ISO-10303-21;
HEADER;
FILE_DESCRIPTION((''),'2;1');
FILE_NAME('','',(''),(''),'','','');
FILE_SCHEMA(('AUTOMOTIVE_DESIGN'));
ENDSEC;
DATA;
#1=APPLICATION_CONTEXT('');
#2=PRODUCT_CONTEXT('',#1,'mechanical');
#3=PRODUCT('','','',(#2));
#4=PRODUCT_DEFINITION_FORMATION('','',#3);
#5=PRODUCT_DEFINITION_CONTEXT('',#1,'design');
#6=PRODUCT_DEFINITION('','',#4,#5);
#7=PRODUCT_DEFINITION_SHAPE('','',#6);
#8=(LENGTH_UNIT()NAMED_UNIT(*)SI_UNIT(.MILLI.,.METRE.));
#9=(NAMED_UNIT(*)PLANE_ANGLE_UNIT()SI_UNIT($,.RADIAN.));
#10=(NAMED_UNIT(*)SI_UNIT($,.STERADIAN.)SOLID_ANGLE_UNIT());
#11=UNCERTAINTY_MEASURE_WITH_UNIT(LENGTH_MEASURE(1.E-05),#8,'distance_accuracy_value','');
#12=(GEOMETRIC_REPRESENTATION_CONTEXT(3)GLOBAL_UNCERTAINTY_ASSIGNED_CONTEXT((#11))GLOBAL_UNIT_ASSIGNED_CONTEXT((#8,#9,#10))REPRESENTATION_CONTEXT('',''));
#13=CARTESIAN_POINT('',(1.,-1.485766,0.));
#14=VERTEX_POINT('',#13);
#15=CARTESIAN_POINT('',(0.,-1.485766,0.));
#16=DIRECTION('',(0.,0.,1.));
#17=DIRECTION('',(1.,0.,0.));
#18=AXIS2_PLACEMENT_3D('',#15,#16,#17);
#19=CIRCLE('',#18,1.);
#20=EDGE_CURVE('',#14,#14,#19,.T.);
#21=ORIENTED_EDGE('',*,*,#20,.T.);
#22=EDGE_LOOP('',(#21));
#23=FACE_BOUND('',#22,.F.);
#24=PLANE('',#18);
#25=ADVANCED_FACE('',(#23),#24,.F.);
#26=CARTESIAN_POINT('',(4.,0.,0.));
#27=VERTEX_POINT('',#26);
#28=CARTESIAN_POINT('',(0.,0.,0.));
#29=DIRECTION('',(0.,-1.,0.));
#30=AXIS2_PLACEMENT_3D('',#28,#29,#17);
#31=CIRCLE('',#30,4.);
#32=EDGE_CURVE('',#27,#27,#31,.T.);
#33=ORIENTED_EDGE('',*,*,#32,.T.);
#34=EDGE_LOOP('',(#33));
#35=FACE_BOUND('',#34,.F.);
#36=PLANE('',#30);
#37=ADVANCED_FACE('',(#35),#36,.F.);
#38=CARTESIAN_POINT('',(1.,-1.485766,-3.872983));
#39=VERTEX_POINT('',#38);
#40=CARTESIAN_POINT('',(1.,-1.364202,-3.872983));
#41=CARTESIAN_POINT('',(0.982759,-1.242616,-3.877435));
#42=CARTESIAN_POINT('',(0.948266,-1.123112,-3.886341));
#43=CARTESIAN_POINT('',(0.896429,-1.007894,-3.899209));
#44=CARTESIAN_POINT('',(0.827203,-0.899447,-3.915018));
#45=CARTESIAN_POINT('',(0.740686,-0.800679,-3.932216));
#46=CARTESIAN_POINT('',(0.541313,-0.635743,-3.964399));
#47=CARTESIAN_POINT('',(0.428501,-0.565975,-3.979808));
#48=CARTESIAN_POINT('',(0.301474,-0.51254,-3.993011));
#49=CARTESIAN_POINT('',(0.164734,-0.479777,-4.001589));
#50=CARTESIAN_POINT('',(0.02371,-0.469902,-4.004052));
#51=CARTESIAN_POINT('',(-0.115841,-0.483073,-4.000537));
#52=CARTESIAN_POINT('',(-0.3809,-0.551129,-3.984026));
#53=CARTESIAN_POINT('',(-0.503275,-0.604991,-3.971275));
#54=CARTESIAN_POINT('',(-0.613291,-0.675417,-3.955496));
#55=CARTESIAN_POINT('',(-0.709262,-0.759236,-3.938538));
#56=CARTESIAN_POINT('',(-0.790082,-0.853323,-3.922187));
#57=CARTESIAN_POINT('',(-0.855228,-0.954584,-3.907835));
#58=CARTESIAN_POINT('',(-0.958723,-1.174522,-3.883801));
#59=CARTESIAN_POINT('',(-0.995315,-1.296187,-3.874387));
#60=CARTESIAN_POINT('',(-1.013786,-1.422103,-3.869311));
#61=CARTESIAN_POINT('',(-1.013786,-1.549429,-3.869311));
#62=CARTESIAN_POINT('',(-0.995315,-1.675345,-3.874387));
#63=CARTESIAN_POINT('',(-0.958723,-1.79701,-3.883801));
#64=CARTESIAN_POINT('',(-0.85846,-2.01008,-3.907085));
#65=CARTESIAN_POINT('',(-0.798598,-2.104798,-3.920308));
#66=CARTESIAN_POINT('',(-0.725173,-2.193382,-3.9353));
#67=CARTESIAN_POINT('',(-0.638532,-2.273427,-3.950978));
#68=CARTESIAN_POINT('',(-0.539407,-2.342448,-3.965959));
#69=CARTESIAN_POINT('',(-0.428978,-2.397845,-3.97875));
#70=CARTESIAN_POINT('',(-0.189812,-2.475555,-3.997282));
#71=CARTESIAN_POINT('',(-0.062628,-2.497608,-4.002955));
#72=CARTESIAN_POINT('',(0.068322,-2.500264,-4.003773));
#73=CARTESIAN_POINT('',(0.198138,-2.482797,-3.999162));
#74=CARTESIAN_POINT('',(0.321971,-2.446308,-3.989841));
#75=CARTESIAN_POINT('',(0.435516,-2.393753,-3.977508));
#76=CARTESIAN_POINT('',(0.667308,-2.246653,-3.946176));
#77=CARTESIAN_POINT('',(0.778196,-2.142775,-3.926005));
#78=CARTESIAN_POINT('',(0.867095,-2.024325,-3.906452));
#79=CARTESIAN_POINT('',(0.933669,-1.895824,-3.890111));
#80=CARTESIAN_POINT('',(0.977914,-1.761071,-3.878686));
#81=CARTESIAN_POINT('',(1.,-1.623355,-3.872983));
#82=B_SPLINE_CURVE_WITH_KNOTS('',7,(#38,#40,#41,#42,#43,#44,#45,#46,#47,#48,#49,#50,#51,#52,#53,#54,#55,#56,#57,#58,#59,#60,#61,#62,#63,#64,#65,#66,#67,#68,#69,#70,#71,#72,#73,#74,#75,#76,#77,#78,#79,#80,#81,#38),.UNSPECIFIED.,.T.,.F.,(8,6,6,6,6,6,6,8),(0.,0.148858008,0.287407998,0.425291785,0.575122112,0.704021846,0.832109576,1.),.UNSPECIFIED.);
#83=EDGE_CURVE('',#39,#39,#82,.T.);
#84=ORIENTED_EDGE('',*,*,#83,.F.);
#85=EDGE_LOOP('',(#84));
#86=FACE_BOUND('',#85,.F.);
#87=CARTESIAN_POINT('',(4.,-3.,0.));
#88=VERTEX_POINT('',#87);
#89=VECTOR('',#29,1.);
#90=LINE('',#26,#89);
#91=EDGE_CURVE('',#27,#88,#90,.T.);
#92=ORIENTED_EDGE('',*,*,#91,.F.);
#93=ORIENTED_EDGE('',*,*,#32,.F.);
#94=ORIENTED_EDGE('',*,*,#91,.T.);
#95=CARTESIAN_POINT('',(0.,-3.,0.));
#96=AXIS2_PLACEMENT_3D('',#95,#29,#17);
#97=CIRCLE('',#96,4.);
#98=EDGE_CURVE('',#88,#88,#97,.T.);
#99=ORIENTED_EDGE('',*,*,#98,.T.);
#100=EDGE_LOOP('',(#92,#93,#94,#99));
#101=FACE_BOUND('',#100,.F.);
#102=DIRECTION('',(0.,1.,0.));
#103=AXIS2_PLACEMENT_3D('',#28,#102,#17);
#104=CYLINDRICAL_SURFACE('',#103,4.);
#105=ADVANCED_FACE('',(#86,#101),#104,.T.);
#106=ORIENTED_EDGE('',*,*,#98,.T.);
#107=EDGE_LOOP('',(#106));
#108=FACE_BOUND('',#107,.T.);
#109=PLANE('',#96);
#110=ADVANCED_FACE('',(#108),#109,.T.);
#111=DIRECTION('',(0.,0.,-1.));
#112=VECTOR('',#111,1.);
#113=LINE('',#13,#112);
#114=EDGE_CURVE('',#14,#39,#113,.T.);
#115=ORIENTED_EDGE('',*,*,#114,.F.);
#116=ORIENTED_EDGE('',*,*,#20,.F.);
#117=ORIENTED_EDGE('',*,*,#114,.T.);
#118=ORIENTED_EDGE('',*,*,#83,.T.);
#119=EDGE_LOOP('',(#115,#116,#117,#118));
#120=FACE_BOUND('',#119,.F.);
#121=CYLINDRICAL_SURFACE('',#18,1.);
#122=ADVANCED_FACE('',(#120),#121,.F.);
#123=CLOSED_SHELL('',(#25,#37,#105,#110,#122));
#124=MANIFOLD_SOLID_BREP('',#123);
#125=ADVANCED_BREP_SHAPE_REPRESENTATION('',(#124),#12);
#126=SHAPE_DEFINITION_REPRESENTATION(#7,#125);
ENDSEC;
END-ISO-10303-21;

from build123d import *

# Parameters (mm, degrees)
F0_R     = 4
F1_DEPTH = 3
F2_R     = 1
F3_DEPTH = 5


with BuildPart() as f1:
    # F0 (on Front) → F1 (new body)
    with BuildSketch(Plane.XZ):
        Circle(F0_R)
    extrude(amount=F1_DEPTH)

    # F2 (on Top) → F3 (cut)
    with BuildSketch(Plane.XY):
        with Locations((0, -1.485766)):
            Circle(F2_R)
    extrude(amount=-F3_DEPTH, mode=Mode.SUBTRACT)


solid = f1.part
